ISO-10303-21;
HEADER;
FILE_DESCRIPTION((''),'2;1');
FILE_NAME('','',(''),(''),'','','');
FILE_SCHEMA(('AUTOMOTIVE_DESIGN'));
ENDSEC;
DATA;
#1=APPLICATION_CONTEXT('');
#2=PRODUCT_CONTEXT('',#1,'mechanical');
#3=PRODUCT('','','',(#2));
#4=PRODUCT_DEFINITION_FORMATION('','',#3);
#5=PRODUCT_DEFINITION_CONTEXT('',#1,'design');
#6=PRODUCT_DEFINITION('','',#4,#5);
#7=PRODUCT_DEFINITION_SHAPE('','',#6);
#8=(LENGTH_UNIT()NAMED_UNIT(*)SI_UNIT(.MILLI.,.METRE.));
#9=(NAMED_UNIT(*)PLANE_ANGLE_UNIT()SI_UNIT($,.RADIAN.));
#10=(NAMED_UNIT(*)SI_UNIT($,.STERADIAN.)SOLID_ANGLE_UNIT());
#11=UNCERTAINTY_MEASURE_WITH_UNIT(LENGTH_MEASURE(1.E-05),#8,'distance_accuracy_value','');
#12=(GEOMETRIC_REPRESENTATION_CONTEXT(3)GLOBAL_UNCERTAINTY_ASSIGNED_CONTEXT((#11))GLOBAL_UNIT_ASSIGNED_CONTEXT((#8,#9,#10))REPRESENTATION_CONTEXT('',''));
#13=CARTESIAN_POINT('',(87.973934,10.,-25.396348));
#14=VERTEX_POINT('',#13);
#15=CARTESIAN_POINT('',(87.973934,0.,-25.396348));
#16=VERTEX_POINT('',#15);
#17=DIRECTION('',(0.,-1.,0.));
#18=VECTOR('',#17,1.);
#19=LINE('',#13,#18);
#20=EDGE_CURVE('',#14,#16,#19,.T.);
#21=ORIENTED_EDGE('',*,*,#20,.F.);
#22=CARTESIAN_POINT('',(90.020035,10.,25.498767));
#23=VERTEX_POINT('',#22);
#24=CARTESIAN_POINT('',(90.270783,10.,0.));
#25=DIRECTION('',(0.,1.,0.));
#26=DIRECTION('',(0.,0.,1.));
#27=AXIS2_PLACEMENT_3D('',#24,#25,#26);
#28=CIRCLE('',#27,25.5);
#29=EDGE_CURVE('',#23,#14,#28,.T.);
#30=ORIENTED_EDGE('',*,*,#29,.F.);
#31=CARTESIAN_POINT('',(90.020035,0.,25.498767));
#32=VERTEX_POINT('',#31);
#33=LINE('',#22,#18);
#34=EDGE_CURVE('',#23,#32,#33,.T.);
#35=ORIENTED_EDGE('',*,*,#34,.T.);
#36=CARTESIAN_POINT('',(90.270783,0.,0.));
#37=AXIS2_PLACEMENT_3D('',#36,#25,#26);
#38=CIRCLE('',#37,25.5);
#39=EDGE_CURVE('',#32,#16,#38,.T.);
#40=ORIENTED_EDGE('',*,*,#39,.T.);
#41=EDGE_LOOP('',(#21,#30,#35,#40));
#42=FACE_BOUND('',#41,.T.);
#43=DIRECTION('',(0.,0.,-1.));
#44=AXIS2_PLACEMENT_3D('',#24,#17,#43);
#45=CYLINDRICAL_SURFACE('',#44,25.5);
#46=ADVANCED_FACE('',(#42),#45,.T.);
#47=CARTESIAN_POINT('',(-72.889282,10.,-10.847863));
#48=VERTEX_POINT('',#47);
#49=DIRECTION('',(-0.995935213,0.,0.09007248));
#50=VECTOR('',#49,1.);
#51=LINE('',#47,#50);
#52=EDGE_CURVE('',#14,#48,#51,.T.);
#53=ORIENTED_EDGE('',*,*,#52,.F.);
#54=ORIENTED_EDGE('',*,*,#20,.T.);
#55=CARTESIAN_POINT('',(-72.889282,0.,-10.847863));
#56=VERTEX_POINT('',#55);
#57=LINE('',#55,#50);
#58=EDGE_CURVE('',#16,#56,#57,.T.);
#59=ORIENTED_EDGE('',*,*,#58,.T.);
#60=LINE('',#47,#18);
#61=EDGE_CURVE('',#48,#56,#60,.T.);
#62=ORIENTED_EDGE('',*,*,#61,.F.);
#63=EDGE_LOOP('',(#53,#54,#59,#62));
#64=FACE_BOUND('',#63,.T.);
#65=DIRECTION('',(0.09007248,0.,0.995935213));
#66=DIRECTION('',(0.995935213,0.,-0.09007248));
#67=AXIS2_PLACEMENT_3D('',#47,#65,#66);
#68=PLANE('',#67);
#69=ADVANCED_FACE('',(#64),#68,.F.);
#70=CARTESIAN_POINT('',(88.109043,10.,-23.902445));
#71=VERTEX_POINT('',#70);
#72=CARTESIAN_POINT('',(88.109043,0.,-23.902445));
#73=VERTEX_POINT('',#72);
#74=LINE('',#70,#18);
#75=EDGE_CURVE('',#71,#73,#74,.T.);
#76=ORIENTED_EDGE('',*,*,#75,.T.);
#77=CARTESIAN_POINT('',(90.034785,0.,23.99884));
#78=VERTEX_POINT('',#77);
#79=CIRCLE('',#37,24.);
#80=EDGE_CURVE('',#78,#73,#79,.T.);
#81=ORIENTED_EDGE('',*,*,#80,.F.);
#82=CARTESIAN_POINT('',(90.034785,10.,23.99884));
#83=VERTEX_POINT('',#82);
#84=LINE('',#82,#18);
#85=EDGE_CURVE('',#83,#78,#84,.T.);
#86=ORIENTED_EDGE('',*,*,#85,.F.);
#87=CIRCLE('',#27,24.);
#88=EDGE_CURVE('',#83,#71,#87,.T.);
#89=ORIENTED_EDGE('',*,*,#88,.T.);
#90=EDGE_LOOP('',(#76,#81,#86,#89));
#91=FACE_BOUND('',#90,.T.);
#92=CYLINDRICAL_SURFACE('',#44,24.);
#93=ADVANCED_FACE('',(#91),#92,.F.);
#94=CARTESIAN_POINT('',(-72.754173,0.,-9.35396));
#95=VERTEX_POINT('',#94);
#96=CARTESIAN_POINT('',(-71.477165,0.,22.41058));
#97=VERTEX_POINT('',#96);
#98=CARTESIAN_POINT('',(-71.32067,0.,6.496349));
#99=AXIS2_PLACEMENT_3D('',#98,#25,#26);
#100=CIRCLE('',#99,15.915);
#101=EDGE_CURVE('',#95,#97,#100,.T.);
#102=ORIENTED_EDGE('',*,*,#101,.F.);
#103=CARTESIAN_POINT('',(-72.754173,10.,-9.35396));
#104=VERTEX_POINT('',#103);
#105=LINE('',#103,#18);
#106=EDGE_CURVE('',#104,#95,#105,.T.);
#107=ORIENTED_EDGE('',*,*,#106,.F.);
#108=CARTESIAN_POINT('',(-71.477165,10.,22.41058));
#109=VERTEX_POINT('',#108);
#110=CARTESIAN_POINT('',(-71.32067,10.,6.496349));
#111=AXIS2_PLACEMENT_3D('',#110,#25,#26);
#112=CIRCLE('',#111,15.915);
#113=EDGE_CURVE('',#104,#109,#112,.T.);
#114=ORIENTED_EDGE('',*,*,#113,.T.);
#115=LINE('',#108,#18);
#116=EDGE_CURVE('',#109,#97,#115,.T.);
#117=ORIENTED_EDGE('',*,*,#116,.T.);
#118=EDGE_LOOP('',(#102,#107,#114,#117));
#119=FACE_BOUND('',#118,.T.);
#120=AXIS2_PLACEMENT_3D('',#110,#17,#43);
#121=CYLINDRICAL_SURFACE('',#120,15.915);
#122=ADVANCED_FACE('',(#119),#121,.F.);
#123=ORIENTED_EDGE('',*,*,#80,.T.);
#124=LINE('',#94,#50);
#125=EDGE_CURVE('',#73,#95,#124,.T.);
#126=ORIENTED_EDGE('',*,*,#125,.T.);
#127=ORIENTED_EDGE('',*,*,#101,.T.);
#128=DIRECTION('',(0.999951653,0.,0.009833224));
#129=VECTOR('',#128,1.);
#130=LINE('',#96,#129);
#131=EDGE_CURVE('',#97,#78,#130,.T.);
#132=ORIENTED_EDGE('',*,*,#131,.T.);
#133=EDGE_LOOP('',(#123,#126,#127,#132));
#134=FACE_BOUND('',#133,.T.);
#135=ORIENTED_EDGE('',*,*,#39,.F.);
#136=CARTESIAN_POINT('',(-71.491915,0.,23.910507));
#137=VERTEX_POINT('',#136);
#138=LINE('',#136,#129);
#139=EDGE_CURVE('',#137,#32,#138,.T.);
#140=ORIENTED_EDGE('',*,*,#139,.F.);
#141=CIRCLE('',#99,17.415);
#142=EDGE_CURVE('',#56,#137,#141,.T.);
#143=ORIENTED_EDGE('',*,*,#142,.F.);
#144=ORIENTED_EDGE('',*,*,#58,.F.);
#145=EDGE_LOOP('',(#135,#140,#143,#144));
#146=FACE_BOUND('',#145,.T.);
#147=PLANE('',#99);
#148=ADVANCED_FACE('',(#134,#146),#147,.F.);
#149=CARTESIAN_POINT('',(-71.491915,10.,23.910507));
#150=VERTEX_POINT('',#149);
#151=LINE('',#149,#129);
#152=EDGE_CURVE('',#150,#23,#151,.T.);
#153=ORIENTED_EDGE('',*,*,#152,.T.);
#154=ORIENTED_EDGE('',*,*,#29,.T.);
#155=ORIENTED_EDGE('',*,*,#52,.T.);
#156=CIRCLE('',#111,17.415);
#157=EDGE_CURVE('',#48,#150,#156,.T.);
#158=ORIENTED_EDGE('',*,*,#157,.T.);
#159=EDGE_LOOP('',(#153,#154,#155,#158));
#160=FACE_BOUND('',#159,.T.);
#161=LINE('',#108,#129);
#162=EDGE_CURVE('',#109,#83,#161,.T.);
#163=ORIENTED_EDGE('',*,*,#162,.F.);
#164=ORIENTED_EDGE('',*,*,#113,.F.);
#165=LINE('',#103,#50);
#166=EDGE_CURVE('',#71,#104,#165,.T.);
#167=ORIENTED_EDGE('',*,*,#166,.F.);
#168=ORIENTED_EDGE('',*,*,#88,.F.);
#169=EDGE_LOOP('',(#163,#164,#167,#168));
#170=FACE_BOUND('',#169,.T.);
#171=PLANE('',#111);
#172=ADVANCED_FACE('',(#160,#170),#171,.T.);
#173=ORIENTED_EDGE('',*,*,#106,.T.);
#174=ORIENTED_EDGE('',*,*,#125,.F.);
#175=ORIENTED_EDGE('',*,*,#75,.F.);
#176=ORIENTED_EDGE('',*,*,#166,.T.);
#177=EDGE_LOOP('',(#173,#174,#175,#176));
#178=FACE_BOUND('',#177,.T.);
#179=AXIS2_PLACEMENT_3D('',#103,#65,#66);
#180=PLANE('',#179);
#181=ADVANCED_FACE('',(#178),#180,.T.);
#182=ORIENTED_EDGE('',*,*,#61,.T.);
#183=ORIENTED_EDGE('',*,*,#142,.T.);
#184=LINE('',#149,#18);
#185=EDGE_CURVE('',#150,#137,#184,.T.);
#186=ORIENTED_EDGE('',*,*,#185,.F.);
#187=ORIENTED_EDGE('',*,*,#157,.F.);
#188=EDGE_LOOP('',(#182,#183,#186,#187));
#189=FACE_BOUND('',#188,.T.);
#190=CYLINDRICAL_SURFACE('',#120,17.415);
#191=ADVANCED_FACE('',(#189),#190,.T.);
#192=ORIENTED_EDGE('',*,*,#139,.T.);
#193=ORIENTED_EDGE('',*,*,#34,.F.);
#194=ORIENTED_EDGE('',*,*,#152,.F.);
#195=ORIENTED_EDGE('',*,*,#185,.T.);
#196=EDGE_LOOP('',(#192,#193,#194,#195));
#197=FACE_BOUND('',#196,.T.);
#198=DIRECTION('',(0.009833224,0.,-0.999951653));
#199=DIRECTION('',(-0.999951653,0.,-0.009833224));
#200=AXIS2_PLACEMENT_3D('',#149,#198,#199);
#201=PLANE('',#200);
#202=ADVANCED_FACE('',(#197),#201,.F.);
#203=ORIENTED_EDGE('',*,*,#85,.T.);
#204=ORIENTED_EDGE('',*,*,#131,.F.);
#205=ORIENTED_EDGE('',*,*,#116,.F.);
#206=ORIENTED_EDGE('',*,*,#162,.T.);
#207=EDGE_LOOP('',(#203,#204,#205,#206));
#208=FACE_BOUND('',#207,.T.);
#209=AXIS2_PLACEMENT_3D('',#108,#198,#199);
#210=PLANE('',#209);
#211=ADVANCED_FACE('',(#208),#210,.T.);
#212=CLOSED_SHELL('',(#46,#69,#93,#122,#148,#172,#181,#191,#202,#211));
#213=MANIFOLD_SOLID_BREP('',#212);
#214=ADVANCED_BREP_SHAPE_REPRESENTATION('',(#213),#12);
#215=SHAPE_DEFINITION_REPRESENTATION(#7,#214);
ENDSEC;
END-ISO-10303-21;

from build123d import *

# Parameters (mm, degrees)
BOSS_EXTRUDE1_DEPTH = 10


with BuildPart() as part:
    # Sketch1 → Boss-Extrude1 (new body)
    with BuildSketch(Plane(origin=(0, 0, 0), x_dir=(1, 0, 0), z_dir=(0, 1, 0))):
        with BuildLine():
            Line((-72.889281859, 10.847862546), (87.973934406, 25.396347929))
            ThreePointArc((87.973934406, 25.396347929), (115.750200726, 1.02433139), (90.020035451, -25.498767144))
            Line((90.020035451, -25.498767144), (-71.491915203, -23.910507218))
            ThreePointArc((-71.491915203, -23.910507218), (-88.721613366, -7.195907271), (-72.889281859, 10.847862546))
        make_face()
        with BuildLine():
            Line((-72.754173138, 9.353959727), (88.109043127, 23.902445109))
            ThreePointArc((88.109043127, 23.902445109), (114.251411427, 0.964076602), (90.034785287, -23.998839664))
            Line((90.034785287, -23.998839664), (-71.477165368, -22.410579739))
            ThreePointArc((-71.477165368, -22.410579739), (-87.222824068, -7.135652483), (-72.754173138, 9.353959727))
        make_face(mode=Mode.SUBTRACT)
    extrude(amount=BOSS_EXTRUDE1_DEPTH)


solid = part.part
